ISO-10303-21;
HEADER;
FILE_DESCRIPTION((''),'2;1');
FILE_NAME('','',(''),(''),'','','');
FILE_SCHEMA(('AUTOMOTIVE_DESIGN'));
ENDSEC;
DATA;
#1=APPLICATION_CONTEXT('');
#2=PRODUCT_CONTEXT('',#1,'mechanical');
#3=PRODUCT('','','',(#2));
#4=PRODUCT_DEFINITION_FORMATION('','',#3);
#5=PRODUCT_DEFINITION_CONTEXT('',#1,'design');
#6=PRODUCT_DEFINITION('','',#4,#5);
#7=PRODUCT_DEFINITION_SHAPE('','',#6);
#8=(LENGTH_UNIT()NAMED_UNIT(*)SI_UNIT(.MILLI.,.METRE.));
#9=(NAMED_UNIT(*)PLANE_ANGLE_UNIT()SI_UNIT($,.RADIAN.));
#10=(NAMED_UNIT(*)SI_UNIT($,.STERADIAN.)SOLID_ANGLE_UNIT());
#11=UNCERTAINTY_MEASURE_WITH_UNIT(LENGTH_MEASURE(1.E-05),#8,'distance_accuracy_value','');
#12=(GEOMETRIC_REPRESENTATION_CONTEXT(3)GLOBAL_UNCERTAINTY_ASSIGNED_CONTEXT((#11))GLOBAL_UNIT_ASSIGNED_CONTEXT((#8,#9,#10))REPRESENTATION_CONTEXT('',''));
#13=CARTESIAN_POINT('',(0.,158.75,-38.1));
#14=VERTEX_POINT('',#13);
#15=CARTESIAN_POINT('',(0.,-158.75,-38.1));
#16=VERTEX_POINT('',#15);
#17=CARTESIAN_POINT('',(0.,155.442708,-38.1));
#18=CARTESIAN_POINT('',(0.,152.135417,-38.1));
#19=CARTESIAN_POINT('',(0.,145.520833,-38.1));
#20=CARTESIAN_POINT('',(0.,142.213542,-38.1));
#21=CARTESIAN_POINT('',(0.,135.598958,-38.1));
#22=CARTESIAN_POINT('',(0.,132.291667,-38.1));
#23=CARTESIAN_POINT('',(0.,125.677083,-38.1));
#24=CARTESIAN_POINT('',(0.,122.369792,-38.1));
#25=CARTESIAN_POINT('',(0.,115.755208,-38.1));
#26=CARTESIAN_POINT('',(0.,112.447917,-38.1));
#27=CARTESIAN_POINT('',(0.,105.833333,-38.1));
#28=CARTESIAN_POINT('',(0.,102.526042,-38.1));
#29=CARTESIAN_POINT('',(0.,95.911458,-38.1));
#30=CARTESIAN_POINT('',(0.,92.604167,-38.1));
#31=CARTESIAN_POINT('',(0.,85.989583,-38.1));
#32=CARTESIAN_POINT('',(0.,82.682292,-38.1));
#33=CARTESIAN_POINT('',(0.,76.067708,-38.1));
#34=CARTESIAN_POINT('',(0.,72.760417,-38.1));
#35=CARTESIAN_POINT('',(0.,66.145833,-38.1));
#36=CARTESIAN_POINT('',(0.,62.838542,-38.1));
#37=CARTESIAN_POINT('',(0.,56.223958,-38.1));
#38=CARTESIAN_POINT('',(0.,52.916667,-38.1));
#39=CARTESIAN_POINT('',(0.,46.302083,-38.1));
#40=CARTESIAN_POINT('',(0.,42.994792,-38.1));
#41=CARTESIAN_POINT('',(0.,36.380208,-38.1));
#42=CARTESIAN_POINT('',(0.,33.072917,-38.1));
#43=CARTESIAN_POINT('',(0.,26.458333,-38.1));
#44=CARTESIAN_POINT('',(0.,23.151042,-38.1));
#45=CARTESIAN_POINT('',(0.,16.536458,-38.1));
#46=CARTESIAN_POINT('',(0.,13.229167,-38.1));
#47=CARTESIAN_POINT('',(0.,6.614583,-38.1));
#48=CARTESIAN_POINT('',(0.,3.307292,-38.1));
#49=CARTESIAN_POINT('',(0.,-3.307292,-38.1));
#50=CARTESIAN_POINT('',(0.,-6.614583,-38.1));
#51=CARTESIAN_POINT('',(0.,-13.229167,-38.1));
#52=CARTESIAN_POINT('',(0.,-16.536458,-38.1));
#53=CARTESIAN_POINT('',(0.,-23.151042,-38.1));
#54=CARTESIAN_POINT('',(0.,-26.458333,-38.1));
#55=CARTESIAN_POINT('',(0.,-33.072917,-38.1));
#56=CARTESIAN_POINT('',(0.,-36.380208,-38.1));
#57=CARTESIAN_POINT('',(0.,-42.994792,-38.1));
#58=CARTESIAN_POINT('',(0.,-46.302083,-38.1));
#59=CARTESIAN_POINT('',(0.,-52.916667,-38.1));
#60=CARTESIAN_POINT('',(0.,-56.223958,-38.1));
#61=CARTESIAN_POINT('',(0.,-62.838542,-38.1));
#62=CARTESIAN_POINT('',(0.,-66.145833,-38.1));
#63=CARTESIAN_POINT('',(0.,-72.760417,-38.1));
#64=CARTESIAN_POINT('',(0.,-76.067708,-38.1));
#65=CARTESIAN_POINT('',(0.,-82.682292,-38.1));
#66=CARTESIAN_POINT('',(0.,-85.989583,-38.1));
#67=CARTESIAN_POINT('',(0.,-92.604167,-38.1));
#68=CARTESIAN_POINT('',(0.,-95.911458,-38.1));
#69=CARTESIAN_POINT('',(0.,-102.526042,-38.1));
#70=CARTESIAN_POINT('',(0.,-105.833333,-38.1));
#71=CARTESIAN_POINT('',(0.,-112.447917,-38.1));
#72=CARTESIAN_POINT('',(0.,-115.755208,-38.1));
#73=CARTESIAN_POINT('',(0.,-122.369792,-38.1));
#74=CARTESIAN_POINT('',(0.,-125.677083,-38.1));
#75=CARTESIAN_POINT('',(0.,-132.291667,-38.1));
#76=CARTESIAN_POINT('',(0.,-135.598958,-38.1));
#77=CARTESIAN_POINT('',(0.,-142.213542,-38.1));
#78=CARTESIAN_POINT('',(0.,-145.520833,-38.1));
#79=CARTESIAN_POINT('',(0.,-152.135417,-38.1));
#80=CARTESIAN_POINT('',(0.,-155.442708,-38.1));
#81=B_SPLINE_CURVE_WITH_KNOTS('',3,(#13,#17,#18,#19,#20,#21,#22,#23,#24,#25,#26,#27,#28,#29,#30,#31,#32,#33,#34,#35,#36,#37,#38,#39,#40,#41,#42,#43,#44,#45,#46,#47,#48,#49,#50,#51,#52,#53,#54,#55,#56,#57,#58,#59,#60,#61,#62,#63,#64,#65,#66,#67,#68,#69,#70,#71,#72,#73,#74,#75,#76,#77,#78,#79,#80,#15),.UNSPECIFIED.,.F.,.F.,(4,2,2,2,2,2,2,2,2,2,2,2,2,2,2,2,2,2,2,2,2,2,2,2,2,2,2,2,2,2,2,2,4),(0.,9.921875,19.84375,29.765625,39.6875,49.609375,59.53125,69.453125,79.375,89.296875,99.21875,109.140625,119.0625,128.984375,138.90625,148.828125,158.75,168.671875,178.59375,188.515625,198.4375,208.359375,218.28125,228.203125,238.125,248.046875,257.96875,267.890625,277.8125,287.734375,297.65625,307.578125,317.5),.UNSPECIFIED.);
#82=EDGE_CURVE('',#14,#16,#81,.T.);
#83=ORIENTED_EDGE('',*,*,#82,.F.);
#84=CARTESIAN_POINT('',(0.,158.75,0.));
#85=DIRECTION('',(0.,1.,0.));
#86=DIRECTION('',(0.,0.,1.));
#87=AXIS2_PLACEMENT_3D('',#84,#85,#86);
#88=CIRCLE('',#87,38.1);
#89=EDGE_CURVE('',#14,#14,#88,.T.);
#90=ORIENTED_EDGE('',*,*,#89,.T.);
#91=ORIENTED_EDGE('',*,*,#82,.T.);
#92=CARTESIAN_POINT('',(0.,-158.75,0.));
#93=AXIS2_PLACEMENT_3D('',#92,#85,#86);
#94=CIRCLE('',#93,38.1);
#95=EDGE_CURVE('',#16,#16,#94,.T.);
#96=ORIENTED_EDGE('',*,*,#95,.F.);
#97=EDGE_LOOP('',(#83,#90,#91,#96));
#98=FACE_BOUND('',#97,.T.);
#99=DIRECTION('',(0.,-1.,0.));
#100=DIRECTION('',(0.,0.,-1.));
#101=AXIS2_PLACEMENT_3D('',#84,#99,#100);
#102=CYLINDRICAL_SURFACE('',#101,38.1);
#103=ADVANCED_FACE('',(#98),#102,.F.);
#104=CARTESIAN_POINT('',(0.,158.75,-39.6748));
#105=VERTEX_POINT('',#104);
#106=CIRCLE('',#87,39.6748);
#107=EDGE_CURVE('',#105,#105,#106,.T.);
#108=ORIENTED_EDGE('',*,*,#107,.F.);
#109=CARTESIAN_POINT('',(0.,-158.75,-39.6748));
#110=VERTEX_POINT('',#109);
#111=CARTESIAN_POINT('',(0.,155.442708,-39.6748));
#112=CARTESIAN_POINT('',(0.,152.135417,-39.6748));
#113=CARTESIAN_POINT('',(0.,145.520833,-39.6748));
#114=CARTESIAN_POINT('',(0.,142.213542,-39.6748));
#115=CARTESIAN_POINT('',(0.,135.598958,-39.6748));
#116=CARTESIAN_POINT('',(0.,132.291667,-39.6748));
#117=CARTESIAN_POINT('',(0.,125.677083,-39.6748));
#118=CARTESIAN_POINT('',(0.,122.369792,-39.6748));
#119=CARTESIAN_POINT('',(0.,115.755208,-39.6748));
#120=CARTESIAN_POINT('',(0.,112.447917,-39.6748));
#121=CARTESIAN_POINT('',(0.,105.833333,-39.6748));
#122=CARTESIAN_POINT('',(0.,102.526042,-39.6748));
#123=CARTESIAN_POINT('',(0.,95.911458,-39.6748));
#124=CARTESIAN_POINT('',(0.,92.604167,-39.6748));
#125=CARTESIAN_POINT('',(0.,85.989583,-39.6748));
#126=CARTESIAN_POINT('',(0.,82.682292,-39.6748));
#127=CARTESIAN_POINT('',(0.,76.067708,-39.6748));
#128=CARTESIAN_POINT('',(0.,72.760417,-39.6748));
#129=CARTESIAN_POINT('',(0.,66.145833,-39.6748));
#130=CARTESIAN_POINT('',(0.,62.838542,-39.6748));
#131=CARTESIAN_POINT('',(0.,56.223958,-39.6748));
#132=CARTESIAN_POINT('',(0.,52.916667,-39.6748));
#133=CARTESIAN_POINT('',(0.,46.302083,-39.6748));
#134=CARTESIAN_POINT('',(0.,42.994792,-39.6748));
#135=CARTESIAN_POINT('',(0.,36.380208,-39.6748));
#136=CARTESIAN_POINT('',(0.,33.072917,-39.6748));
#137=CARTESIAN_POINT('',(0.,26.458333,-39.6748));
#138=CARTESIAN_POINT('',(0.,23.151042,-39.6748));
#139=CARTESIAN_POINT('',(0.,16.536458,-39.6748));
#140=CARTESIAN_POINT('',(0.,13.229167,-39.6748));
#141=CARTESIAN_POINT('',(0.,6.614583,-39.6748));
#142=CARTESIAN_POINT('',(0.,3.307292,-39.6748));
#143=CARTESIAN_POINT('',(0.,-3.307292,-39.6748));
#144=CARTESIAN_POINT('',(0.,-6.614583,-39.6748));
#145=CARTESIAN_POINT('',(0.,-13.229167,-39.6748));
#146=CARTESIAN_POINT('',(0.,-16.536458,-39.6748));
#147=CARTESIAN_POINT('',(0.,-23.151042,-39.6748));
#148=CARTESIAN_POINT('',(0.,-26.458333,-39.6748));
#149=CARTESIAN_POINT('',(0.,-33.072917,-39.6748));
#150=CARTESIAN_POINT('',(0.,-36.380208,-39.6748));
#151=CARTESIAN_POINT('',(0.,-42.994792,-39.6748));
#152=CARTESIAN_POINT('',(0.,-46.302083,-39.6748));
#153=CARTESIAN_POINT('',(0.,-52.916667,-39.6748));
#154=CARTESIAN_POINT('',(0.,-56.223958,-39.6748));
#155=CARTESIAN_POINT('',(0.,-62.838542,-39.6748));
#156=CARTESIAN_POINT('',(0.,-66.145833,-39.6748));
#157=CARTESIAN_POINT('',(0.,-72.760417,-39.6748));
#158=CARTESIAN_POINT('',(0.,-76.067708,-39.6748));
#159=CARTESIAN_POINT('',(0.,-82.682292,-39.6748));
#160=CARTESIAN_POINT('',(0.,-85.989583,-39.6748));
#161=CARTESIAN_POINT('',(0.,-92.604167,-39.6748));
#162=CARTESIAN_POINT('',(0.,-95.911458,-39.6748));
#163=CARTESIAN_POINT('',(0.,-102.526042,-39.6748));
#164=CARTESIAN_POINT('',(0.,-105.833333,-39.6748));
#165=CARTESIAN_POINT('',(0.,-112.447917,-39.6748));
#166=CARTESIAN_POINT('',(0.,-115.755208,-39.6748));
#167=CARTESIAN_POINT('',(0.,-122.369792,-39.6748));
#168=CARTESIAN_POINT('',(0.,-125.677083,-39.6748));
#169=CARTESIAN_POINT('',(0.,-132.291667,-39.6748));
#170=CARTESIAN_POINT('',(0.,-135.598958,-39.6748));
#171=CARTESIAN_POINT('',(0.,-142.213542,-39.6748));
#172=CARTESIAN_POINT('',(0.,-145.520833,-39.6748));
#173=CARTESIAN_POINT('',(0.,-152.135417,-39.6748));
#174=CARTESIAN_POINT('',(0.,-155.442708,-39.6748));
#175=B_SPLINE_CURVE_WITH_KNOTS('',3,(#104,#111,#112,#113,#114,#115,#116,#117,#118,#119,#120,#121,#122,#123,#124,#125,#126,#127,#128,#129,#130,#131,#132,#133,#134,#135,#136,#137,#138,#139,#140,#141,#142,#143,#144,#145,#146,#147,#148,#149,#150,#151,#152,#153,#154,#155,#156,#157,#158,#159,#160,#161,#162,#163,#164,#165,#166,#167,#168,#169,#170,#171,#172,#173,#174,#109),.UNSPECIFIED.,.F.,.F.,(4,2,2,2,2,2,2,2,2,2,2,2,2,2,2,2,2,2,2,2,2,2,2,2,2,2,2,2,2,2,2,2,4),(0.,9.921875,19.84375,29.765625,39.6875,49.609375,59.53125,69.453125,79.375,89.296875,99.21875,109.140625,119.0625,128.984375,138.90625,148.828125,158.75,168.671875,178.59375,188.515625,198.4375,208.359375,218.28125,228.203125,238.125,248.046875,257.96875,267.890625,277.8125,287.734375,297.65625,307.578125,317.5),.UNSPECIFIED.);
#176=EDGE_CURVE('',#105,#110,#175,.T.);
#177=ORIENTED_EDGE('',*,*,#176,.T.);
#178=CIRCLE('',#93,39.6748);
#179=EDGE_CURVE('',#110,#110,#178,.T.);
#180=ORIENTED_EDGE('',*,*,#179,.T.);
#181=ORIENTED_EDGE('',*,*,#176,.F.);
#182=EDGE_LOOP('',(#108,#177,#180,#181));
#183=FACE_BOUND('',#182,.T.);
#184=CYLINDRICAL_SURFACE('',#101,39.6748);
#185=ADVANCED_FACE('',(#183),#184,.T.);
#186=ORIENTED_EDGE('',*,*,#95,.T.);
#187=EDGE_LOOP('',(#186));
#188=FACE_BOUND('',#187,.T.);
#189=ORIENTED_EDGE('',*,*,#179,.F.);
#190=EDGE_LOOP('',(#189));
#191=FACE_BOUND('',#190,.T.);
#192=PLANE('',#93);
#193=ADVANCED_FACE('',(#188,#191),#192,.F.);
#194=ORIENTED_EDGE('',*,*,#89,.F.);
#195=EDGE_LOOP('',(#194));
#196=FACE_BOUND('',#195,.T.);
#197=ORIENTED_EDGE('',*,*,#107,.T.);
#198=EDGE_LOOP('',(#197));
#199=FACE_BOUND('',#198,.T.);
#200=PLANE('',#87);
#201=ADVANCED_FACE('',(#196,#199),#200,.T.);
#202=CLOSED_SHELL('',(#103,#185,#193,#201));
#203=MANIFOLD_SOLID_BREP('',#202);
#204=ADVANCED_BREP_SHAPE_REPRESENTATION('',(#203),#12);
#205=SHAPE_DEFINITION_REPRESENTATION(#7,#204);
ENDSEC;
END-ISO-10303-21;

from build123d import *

# Parameters (mm, degrees)
SKETCH1_R           = 39.6748
SKETCH1_R_2         = 38.1
BOSS_EXTRUDE1_DEPTH = 158.75


with BuildPart() as part:
    # Sketch1 → Boss-Extrude1 (new, symmetric)
    with BuildSketch(Plane(origin=(0, 0, 0), x_dir=(1, 0, 0), z_dir=(0, 1, 0))):
        with Locations(Location((0, 0, 0), (0, 0, 90))):
            Circle(SKETCH1_R)
        with Locations(Location((0, 0, 0), (0, 0, 90))):
            Circle(SKETCH1_R_2, mode=Mode.SUBTRACT)
    extrude(amount=BOSS_EXTRUDE1_DEPTH, both=True)


solid = part.part
